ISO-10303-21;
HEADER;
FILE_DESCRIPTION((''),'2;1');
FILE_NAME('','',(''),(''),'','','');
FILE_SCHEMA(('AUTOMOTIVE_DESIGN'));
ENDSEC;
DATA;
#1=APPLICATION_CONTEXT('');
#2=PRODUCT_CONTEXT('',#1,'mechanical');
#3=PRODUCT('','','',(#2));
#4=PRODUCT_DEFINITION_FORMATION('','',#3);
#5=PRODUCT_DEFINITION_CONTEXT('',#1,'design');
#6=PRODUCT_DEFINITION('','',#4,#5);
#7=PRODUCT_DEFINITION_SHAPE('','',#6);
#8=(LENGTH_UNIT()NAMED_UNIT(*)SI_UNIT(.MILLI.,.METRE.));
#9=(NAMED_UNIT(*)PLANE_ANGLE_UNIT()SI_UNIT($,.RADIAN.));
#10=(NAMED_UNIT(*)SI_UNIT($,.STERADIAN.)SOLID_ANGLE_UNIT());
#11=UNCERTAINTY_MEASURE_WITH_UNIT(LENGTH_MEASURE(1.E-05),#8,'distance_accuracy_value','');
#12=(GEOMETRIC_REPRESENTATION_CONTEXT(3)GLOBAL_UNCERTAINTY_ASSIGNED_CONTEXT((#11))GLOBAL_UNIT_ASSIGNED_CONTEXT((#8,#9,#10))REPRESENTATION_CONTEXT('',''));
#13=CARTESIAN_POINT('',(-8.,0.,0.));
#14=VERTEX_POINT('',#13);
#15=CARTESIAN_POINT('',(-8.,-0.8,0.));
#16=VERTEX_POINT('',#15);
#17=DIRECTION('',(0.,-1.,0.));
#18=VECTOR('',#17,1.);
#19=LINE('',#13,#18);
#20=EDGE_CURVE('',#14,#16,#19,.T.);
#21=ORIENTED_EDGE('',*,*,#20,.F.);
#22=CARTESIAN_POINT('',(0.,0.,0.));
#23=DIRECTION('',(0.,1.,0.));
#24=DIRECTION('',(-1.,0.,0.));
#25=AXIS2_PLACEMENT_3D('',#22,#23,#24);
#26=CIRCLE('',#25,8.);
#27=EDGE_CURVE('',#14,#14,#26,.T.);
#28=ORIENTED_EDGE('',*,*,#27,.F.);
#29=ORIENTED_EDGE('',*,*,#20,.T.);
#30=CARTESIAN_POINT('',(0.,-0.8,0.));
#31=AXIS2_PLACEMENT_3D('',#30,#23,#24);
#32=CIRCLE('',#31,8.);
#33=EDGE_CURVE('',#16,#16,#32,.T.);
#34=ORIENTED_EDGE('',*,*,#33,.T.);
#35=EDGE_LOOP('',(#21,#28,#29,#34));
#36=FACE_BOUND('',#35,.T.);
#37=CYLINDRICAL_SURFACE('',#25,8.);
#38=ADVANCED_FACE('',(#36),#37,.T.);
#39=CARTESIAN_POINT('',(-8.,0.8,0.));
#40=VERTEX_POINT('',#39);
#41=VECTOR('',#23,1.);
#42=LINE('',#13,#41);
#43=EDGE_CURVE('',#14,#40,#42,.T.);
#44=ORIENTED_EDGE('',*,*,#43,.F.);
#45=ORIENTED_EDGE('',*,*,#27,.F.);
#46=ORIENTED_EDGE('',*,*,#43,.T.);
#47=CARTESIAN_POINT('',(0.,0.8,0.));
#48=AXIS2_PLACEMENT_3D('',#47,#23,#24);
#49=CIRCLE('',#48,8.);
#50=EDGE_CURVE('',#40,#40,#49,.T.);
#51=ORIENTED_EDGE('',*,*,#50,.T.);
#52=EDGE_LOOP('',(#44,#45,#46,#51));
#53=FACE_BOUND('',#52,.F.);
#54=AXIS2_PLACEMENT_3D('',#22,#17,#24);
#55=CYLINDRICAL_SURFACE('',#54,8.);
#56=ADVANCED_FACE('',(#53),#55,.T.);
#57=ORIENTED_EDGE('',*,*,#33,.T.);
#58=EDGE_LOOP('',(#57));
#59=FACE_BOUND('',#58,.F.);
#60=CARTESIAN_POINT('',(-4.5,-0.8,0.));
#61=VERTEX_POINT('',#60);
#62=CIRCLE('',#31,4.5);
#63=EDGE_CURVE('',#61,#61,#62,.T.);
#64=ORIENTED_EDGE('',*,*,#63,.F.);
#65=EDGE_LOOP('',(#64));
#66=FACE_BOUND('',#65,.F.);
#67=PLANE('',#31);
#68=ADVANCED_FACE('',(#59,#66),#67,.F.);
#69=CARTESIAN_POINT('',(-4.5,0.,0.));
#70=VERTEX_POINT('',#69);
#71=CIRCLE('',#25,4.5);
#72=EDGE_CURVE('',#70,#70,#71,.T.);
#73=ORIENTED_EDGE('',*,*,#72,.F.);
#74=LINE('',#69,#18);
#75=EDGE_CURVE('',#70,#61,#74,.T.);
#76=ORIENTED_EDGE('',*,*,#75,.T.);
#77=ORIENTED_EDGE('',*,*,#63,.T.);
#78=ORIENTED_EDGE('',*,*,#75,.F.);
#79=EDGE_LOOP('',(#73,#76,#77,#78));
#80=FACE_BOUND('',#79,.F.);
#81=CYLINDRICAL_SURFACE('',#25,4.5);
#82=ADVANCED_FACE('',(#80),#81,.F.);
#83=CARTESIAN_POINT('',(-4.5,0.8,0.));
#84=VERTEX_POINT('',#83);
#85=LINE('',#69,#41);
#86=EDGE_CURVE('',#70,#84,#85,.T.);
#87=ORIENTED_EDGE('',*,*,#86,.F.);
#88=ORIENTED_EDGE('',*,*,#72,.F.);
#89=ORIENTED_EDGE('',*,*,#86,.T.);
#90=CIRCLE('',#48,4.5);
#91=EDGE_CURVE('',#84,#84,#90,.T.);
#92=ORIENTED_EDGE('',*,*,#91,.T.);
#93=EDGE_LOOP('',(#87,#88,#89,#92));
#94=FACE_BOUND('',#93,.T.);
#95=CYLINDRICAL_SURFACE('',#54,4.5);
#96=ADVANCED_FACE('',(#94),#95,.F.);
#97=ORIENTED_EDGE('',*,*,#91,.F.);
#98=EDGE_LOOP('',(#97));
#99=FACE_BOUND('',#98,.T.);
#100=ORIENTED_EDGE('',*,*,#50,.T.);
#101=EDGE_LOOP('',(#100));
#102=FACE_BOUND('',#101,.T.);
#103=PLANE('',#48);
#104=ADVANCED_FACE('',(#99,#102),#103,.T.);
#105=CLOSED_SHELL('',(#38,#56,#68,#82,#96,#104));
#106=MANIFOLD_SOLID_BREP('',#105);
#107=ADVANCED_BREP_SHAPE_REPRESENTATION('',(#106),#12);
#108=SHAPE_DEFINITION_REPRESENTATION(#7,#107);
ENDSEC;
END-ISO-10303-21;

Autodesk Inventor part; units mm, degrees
ref_plane "YZ Plane" through (0, 0, 0) normal (1, 0, 0) x (0, 1, 0)
ref_plane "XZ Plane" through (0, 0, 0) normal (0, 1, 0) x (-1, 0, 0)
ref_plane "XY Plane" through (0, 0, 0) normal (0, 0, 1) x (1, 0, 0)
sketch "草图1" plane through (0, 0, 0) normal (0, 1, 0) x (-1, 0, 0)
  circle A0 centre (0, 0) radius 8
  circle A1 centre (0, 0) radius 4.5
  dimension "d0" = 16
  dimension "d1" = 9
extrude "拉伸1" add sketch "草图1" along normal mid plane 1.6
properties part number "11-垫圈" material "不锈钢"
